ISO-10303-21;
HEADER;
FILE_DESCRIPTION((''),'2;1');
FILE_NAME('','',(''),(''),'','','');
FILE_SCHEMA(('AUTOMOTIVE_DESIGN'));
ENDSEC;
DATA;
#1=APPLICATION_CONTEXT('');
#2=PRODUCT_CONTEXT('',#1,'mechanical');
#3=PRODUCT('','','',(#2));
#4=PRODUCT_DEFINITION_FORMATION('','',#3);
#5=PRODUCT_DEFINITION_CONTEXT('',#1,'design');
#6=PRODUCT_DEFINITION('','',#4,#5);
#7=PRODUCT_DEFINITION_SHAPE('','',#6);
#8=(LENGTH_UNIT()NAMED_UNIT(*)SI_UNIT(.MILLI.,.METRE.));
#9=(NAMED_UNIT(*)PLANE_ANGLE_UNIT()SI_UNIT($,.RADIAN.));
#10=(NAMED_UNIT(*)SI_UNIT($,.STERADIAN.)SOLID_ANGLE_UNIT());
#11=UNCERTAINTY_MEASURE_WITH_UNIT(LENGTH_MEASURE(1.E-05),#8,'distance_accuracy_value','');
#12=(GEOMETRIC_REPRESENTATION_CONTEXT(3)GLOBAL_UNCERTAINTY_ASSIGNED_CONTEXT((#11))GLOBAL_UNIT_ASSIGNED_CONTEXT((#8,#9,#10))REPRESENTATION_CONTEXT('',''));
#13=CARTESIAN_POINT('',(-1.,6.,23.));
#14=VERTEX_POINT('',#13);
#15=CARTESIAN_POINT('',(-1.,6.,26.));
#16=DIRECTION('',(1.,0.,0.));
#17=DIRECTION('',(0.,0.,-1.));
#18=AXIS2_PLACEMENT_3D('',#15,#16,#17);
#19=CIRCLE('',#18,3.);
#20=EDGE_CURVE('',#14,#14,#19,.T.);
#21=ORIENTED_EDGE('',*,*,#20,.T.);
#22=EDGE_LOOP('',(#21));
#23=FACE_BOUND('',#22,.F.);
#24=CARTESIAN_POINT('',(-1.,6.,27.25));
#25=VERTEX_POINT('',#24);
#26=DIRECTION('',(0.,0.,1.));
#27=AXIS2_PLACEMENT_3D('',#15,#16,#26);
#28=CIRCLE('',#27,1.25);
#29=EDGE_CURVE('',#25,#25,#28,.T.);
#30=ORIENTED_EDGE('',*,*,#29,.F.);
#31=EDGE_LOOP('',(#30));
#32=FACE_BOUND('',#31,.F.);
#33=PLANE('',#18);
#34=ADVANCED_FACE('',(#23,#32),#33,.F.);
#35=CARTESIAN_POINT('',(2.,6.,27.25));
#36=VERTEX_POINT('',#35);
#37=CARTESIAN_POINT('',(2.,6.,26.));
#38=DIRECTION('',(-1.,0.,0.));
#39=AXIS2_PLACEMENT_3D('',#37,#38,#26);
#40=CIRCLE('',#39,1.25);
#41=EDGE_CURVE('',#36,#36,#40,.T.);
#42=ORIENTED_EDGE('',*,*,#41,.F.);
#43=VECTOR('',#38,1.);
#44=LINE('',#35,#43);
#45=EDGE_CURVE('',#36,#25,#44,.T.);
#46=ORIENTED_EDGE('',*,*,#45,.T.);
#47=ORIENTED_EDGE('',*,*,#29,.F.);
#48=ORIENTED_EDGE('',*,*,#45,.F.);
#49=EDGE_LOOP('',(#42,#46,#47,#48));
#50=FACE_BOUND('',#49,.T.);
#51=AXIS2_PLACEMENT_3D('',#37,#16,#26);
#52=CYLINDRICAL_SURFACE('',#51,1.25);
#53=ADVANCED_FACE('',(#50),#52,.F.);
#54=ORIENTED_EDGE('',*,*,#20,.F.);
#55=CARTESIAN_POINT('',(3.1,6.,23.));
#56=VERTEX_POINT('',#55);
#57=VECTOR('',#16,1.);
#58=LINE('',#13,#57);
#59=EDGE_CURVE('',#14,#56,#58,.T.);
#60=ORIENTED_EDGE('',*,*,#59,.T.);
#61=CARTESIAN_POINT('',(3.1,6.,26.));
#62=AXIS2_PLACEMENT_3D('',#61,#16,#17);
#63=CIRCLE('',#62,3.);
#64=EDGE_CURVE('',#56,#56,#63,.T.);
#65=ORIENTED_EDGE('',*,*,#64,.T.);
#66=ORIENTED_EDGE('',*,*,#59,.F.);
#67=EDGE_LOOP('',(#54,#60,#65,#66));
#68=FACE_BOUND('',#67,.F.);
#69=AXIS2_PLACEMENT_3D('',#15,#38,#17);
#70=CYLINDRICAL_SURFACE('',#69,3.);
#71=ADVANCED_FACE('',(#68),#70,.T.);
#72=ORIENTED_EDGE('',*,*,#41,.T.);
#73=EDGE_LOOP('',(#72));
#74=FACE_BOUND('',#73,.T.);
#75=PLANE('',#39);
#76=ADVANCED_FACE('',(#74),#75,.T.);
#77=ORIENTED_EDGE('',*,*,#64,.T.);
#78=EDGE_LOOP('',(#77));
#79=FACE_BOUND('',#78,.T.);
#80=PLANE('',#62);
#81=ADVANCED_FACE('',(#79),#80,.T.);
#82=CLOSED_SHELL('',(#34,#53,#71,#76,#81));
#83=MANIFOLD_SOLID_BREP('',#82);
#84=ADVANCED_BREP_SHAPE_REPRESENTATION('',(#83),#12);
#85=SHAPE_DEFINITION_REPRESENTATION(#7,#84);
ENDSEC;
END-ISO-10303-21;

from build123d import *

# Parameters (mm, degrees)
CYLINDER062_R     = 1.25
CYLINDER062_DEPTH = 5
CYLINDER038_R     = 3
CYLINDER038_DEPTH = 4.1


with BuildPart() as b_w009:
    # Cylinder062 → Cylinder062 (new body)
    with BuildSketch(Plane(origin=(2, 6, 26), x_dir=(0, 0, 1), z_dir=(-1, 0, 0))):
        Circle(CYLINDER062_R)
    extrude(amount=CYLINDER062_DEPTH)


with BuildPart() as cut023:
    # Cylinder038 → Cylinder038 (new body)
    with BuildSketch(Plane(origin=(-1, 6, 26), x_dir=(0, 0, -1), z_dir=(1, 0, 0))):
        Circle(CYLINDER038_R)
    extrude(amount=CYLINDER038_DEPTH)

    # Cut023: cut B_W009
    add(b_w009.part, mode=Mode.SUBTRACT)


solid = cut023.part
